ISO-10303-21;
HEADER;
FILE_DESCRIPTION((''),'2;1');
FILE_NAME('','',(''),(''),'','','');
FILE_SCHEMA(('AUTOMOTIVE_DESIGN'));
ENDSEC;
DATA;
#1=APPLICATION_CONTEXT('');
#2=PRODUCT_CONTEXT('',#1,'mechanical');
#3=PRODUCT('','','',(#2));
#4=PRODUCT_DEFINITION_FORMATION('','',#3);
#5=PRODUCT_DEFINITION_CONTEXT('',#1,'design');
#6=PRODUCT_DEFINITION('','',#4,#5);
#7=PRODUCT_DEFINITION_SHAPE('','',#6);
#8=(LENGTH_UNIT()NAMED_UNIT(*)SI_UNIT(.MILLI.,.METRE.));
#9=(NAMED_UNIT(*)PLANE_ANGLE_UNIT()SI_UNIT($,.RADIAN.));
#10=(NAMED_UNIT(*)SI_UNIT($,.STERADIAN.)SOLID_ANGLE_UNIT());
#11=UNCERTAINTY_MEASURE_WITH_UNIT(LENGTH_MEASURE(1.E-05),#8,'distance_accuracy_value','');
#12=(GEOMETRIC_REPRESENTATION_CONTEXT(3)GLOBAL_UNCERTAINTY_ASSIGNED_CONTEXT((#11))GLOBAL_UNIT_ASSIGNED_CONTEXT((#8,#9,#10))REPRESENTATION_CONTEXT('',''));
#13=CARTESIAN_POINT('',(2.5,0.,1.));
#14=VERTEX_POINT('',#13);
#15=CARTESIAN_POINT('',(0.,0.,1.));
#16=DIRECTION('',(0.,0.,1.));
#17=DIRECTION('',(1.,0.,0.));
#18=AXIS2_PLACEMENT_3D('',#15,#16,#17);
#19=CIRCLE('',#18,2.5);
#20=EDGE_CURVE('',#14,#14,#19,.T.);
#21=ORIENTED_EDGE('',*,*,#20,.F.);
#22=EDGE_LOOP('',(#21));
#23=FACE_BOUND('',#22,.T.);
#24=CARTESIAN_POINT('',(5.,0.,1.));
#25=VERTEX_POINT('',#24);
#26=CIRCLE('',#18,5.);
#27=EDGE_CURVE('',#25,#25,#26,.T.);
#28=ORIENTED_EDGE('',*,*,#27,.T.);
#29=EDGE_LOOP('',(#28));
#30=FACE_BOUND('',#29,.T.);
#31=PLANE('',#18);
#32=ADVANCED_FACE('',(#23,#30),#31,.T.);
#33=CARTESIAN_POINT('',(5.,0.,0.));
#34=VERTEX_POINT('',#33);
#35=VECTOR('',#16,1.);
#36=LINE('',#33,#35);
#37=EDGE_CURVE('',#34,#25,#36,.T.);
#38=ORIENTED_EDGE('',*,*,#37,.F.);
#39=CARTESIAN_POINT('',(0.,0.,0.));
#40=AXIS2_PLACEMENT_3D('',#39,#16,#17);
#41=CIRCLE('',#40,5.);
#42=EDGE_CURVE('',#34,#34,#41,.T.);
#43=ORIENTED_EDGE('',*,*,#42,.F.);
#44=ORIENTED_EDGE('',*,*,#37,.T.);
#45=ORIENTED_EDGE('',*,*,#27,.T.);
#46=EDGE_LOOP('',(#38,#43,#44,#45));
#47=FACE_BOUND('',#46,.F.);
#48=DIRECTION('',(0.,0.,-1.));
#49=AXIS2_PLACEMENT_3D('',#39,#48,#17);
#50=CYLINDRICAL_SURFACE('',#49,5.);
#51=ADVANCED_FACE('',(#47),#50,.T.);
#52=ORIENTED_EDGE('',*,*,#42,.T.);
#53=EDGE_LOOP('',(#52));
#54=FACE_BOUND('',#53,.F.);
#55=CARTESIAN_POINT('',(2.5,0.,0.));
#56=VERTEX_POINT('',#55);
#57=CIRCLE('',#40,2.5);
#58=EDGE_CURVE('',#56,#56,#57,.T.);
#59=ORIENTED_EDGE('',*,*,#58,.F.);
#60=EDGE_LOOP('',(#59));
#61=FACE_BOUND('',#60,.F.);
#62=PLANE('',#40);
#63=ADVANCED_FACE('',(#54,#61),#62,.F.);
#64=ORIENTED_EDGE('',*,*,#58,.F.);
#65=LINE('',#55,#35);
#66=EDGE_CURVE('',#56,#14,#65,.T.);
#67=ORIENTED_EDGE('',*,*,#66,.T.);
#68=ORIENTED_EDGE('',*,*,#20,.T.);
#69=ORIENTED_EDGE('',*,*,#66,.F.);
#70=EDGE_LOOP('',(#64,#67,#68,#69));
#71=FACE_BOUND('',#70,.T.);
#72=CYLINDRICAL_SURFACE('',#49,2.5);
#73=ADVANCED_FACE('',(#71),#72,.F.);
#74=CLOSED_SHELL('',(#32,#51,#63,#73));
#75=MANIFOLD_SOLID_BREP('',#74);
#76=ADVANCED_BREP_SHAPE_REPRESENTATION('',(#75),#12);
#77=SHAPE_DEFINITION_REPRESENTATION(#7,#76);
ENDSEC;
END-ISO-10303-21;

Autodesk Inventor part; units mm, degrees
ref_plane "YZ Plane" through (0, 0, 0) normal (1, 0, 0) x (0, 1, 0)
ref_plane "XZ Plane" through (0, 0, 0) normal (0, 1, 0) x (-1, 0, 0)
ref_plane "XY Plane" through (0, 0, 0) normal (0, 0, 1) x (1, 0, 0)
sketch "Sketch1" plane through (0, 0, 0) normal (0, 0, 1) x (1, 0, 0)
  circle A0 centre (0, 0) radius 2.5
  circle A1 centre (0, 0) radius 5
  dimension "d0" = 5
  dimension "d1" = 10
extrude "Extrusion1" add sketch "Sketch1" along normal blind 1
properties part number "PSM5-01MM" material "Nylon 6/6"
